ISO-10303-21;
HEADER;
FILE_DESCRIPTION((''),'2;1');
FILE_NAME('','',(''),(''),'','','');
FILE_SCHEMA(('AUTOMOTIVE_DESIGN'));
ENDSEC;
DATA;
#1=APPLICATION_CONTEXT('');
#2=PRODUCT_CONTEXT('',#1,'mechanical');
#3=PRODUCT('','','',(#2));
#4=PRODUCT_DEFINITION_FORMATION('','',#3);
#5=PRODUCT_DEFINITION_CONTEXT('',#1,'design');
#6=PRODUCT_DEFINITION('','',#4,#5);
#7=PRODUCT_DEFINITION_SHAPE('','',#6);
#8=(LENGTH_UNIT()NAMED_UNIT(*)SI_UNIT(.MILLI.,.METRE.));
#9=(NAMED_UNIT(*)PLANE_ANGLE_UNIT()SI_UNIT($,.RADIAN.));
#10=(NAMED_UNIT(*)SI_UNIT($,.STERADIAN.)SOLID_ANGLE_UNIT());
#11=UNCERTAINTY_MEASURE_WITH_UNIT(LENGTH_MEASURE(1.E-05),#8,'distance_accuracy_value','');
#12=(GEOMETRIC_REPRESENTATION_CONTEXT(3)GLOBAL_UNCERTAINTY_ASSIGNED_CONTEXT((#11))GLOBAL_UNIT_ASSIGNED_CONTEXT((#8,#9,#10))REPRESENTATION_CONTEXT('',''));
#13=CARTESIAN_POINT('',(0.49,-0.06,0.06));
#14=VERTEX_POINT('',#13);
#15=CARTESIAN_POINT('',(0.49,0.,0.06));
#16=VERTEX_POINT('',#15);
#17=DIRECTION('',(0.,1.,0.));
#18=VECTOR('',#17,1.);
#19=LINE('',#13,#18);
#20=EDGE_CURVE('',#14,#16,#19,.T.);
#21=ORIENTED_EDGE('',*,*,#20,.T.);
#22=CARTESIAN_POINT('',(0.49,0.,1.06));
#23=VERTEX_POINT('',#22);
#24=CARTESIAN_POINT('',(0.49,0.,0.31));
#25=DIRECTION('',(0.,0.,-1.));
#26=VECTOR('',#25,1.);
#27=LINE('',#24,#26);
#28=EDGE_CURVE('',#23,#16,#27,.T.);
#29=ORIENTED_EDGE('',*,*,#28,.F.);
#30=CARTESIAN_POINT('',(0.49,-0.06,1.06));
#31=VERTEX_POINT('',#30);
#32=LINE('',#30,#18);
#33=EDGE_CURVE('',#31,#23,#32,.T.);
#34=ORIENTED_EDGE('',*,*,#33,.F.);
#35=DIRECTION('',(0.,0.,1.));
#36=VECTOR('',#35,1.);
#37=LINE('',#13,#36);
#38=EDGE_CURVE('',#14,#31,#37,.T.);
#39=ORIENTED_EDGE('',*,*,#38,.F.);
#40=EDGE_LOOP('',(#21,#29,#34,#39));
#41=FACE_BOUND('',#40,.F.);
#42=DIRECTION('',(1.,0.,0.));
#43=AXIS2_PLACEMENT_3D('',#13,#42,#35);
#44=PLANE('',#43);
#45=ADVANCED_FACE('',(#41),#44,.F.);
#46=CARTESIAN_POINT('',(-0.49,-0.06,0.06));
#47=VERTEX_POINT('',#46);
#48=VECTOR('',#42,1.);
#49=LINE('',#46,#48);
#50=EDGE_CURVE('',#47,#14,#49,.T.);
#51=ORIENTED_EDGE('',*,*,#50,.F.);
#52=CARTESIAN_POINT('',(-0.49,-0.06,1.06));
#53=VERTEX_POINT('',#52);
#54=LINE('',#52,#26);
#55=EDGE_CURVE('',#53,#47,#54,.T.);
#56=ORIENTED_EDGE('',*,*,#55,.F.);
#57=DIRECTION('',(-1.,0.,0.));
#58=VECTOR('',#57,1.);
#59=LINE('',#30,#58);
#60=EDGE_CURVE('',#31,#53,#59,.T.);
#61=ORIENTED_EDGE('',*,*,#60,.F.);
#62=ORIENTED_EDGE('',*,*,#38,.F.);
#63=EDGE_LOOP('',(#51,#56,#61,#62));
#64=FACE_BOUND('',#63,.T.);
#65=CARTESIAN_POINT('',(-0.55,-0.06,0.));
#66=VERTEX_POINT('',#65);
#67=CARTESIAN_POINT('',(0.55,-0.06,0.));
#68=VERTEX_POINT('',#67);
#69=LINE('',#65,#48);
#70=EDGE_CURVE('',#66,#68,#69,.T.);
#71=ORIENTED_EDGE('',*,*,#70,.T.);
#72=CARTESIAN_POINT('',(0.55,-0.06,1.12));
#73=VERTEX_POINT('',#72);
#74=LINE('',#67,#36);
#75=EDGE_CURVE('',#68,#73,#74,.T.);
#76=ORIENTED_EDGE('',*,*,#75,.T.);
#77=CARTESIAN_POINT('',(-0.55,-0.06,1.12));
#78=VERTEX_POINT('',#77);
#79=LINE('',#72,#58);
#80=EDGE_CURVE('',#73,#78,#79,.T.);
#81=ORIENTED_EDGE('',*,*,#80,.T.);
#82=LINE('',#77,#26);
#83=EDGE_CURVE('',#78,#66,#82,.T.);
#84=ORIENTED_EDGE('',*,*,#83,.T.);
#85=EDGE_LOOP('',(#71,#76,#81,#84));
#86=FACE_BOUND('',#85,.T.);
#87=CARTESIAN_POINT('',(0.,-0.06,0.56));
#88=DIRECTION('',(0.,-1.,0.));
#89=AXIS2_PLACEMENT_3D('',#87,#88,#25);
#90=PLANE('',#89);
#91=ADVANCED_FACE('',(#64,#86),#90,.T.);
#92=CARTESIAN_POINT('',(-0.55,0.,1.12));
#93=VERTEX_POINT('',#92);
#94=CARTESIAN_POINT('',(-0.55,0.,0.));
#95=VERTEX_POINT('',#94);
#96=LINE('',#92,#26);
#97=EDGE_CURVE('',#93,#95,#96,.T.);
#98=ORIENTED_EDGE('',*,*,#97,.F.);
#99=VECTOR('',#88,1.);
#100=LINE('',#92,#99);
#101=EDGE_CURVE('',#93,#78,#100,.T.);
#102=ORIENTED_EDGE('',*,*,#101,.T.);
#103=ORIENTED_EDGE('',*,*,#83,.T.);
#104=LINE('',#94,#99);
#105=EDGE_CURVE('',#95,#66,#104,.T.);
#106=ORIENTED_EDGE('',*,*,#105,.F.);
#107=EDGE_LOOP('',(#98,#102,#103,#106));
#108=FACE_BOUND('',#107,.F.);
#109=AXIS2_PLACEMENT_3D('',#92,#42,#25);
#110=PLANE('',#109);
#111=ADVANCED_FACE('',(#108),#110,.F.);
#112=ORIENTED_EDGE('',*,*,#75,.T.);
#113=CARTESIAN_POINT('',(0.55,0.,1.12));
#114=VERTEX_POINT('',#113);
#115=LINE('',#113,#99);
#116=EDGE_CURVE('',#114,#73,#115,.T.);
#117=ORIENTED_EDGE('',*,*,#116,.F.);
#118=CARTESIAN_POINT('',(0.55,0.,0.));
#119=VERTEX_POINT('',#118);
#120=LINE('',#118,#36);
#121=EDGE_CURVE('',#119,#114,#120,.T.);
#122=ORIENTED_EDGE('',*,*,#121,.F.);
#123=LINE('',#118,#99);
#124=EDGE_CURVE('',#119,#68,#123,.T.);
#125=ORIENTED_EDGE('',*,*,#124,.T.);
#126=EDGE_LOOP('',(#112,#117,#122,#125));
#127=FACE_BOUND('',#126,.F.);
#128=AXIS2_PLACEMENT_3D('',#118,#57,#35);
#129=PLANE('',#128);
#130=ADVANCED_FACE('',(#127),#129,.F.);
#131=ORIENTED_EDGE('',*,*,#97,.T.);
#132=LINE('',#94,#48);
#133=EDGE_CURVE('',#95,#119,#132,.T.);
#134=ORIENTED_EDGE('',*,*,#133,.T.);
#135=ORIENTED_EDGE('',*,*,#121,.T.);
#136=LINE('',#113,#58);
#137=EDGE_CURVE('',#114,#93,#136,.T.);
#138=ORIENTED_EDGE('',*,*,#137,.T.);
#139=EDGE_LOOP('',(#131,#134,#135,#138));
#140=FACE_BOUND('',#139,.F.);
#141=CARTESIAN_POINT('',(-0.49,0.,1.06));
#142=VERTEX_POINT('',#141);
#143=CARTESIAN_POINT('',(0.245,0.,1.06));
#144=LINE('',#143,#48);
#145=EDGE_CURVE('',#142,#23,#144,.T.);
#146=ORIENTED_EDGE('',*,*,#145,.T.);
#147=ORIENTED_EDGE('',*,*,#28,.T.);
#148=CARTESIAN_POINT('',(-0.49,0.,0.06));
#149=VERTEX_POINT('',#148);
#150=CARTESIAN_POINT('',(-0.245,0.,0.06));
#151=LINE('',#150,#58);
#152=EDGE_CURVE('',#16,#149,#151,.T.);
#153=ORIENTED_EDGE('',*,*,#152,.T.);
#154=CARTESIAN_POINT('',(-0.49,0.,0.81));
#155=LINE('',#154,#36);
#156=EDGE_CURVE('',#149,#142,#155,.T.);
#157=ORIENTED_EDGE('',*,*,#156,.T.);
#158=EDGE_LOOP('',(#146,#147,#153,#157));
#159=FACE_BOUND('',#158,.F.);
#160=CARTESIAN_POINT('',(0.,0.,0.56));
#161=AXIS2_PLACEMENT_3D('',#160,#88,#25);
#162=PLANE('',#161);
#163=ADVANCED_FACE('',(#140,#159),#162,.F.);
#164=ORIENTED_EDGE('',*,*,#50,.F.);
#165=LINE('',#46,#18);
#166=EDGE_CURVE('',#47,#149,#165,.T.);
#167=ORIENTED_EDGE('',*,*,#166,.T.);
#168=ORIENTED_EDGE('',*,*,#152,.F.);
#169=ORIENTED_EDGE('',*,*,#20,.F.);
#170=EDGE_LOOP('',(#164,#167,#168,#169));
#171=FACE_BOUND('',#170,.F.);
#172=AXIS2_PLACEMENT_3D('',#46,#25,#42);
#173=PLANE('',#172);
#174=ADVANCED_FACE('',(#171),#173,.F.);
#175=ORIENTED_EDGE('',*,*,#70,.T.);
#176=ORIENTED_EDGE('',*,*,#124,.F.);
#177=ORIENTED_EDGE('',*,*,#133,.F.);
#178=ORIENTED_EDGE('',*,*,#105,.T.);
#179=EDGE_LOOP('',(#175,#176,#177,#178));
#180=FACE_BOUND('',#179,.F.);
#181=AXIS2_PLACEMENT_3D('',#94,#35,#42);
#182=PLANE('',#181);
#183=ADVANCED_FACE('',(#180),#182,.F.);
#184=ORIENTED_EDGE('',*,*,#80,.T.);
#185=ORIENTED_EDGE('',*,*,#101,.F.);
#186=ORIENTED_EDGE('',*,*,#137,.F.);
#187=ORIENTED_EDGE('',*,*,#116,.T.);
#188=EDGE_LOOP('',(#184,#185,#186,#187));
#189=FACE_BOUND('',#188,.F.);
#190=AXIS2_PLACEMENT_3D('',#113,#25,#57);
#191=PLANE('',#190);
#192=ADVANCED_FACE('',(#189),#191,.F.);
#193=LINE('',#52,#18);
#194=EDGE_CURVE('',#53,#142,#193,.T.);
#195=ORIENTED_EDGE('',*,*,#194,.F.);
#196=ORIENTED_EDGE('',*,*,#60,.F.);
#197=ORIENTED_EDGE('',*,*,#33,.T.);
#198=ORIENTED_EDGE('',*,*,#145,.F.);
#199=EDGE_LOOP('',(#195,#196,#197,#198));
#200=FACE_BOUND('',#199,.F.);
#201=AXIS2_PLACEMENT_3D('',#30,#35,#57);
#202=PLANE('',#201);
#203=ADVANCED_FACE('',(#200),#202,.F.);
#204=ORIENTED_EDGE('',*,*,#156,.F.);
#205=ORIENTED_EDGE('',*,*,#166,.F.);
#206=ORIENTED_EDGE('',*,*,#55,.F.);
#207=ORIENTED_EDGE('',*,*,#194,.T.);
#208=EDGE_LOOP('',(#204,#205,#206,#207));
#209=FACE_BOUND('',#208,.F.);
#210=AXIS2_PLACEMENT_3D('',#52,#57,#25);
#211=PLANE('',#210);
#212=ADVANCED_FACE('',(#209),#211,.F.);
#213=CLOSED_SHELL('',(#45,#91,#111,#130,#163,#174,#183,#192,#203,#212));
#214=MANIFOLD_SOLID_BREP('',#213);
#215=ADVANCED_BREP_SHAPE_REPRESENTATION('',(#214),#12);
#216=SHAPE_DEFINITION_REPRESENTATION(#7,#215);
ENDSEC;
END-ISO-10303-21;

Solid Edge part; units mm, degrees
sketch "Sketch1" plane through (0, 0, 0) normal (0, -1, 0) x (1, 0, 0)
  line L0 (-0.55, 0) -> (0.55, 0)
  line L1 (0.55, 0) -> (0.55, 1.12)
  line L2 (0.55, 1.12) -> (-0.55, 1.12)
  line L3 (-0.55, 1.12) -> (-0.55, 0)
  dimension "D1" = 1.12
  dimension "D2" = 1.1
extrude "Protrusion1" add sketch "Sketch1" along normal blind 0.06
sketch "Sketch2" plane through (0, -0.06, 0.75) normal (0, -1, 0) x (1, 0, 0)
  line L0 (-0.49, -0.69) -> (0.49, -0.69)
  line L1 (0.49, -0.69) -> (0.49, 0.31)
  line L2 (0.49, 0.31) -> (-0.49, 0.31)
  line L3 (-0.49, 0.31) -> (-0.49, -0.69)
  dimension "D1" = 0.06
extrude "Cutout1" cut sketch "Sketch2" against normal up to next
